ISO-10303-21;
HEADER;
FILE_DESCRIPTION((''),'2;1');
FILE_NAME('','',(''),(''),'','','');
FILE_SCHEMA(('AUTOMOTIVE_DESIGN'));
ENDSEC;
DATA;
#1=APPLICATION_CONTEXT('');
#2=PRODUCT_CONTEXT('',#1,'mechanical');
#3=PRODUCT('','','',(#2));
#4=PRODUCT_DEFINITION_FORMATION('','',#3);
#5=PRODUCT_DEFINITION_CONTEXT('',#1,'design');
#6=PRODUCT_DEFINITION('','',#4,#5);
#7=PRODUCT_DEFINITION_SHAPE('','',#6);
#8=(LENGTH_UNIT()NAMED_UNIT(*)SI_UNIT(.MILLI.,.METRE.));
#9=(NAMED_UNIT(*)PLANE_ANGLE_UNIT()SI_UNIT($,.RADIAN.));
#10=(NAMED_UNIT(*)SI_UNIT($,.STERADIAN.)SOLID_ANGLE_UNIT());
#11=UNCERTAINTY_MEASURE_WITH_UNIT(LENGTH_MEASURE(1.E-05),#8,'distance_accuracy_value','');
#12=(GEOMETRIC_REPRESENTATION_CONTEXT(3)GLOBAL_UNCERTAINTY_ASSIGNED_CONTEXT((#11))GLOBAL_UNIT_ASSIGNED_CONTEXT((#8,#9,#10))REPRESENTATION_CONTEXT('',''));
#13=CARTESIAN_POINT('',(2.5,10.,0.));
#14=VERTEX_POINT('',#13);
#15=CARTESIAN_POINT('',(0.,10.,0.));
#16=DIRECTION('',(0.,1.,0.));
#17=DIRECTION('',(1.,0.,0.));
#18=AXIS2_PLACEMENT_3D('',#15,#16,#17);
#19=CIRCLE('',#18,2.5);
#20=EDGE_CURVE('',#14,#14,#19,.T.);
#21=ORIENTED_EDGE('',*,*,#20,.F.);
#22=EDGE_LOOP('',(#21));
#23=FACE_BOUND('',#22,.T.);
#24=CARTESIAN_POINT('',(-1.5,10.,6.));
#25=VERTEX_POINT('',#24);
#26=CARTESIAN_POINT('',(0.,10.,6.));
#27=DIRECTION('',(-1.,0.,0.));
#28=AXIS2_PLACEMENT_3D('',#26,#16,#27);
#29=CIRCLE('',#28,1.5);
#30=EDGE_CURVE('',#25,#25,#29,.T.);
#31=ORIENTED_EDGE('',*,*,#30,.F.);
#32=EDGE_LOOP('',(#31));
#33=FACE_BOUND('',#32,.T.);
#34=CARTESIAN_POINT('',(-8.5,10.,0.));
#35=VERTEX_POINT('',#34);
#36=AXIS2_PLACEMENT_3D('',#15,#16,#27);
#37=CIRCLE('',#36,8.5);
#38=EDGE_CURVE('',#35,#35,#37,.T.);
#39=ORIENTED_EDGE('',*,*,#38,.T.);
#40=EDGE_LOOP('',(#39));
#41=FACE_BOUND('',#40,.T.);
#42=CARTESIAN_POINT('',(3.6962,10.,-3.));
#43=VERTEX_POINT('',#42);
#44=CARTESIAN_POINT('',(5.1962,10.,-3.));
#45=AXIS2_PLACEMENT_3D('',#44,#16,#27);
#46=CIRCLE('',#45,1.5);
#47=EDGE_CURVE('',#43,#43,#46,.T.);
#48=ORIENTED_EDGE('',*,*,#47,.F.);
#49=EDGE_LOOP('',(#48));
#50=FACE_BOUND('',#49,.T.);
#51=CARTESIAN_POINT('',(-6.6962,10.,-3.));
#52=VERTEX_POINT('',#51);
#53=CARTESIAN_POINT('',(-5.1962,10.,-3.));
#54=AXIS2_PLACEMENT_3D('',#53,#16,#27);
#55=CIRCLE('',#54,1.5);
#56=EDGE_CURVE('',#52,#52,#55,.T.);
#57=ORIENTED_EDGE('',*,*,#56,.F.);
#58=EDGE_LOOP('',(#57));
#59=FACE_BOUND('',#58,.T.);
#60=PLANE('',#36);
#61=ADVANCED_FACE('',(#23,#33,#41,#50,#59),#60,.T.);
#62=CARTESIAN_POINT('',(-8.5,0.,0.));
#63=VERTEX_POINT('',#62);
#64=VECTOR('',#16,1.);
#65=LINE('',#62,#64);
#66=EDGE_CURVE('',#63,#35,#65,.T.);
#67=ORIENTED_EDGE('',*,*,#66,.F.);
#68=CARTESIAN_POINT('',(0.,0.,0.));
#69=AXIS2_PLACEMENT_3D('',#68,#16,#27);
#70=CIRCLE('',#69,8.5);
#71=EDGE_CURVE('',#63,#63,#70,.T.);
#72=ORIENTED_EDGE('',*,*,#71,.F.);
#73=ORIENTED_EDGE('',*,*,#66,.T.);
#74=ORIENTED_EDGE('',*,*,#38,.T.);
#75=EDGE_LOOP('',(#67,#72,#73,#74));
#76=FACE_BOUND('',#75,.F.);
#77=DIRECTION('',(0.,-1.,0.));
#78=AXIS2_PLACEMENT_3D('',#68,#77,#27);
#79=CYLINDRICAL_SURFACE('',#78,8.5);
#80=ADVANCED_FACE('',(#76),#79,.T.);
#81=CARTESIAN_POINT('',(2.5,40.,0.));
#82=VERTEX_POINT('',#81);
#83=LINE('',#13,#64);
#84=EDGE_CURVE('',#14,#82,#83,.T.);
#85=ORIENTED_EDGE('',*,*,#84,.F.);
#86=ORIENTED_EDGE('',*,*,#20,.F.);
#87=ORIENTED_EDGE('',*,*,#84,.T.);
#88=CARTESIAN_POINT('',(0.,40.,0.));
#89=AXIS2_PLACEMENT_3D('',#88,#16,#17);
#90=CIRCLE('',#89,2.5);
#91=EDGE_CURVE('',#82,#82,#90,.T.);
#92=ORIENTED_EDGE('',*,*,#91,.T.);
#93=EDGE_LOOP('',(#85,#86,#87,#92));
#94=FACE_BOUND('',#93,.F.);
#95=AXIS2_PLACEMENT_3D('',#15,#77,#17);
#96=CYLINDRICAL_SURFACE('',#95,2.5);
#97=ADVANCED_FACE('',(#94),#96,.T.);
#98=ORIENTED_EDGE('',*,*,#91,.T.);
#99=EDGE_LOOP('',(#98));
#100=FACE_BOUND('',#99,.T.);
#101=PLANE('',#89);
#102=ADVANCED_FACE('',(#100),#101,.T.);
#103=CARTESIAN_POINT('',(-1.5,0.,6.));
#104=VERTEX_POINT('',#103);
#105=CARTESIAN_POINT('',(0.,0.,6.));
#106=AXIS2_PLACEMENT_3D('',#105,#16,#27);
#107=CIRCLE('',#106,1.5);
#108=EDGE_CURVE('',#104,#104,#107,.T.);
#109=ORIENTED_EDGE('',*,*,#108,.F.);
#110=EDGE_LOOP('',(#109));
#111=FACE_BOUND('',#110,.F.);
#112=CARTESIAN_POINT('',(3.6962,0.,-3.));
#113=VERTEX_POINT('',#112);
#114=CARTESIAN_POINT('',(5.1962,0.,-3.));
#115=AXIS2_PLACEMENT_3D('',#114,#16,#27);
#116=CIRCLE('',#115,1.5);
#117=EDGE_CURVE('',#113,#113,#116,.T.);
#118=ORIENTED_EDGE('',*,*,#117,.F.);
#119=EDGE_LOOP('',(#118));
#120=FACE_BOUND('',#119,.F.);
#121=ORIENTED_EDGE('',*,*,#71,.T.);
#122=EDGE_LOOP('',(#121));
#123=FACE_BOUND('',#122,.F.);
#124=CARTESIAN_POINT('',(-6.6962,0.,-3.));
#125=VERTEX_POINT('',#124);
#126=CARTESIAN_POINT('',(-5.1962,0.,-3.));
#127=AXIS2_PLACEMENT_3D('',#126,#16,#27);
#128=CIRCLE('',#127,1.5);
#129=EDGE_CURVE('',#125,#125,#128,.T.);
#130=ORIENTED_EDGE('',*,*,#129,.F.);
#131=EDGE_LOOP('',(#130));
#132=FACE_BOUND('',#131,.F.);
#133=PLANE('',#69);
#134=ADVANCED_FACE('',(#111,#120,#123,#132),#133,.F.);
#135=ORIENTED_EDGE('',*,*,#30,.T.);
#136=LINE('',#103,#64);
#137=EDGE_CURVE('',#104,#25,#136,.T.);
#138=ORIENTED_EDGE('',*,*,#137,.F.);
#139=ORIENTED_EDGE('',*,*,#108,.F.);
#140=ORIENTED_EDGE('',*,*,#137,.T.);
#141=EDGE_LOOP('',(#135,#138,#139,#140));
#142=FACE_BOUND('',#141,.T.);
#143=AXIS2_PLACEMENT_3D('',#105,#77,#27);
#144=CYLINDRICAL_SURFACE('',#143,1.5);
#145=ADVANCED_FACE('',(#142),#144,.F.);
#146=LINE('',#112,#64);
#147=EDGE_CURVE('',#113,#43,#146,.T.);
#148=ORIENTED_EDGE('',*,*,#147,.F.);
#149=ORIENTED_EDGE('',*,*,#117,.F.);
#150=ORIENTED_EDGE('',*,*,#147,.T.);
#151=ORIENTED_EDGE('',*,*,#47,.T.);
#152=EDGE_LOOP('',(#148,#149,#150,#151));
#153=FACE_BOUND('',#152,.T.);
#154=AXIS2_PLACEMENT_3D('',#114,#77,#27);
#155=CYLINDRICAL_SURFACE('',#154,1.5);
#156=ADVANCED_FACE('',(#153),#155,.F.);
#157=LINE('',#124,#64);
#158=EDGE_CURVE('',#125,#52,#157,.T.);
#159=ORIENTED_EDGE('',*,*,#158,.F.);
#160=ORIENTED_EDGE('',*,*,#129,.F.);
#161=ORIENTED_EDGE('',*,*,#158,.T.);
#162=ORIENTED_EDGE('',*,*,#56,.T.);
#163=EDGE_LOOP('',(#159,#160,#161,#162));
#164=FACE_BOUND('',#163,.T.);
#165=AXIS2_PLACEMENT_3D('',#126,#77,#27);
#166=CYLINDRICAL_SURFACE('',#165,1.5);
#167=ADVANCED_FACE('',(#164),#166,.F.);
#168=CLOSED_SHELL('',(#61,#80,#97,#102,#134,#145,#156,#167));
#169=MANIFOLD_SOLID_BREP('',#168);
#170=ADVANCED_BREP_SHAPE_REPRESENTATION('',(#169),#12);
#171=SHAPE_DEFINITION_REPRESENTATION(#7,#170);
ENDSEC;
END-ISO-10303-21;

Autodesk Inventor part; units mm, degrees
ref_plane "YZ Plane" through (0, 0, 0) normal (1, 0, 0) x (0, 1, 0)
ref_plane "XZ Plane" through (0, 0, 0) normal (0, 1, 0) x (-1, 0, 0)
ref_plane "XY Plane" through (0, 0, 0) normal (0, 0, 1) x (1, 0, 0)
sketch "Sketch1" plane through (0, 0, 0) normal (0, 1, 0) x (-1, 0, 0)
  circle A0 centre (0, 0) radius 8.5
  circle A1 centre (5.1962, -3) radius 1.5
  circle A2 centre (5.1962, -3) radius 1.5
  circle A3 centre (-5.1962, -3) radius 1.5
  circle A4 centre (-5.1962, -3) radius 1.5
  circle A5 centre (0, 6) radius 1.5
  circle A6 centre (0, 6) radius 1.5
  point P0 (0, 0)
extrude "Extrusion1" add sketch "Sketch1" along normal blind 10
sketch "Sketch2" plane through (0, 10, 0) normal (0, 1, 0) x (1, 0, 0)
  circle A0 centre (0, 0) radius 2.5
  dimension "d3" = 5
extrude "Extrusion2" add sketch "Sketch2" along normal blind 30
thread "Thread1" size "12-24 UNC" class "2A" standard "ANSI Unified Screw Threads" length 25.4
properties part number "Motor top"
